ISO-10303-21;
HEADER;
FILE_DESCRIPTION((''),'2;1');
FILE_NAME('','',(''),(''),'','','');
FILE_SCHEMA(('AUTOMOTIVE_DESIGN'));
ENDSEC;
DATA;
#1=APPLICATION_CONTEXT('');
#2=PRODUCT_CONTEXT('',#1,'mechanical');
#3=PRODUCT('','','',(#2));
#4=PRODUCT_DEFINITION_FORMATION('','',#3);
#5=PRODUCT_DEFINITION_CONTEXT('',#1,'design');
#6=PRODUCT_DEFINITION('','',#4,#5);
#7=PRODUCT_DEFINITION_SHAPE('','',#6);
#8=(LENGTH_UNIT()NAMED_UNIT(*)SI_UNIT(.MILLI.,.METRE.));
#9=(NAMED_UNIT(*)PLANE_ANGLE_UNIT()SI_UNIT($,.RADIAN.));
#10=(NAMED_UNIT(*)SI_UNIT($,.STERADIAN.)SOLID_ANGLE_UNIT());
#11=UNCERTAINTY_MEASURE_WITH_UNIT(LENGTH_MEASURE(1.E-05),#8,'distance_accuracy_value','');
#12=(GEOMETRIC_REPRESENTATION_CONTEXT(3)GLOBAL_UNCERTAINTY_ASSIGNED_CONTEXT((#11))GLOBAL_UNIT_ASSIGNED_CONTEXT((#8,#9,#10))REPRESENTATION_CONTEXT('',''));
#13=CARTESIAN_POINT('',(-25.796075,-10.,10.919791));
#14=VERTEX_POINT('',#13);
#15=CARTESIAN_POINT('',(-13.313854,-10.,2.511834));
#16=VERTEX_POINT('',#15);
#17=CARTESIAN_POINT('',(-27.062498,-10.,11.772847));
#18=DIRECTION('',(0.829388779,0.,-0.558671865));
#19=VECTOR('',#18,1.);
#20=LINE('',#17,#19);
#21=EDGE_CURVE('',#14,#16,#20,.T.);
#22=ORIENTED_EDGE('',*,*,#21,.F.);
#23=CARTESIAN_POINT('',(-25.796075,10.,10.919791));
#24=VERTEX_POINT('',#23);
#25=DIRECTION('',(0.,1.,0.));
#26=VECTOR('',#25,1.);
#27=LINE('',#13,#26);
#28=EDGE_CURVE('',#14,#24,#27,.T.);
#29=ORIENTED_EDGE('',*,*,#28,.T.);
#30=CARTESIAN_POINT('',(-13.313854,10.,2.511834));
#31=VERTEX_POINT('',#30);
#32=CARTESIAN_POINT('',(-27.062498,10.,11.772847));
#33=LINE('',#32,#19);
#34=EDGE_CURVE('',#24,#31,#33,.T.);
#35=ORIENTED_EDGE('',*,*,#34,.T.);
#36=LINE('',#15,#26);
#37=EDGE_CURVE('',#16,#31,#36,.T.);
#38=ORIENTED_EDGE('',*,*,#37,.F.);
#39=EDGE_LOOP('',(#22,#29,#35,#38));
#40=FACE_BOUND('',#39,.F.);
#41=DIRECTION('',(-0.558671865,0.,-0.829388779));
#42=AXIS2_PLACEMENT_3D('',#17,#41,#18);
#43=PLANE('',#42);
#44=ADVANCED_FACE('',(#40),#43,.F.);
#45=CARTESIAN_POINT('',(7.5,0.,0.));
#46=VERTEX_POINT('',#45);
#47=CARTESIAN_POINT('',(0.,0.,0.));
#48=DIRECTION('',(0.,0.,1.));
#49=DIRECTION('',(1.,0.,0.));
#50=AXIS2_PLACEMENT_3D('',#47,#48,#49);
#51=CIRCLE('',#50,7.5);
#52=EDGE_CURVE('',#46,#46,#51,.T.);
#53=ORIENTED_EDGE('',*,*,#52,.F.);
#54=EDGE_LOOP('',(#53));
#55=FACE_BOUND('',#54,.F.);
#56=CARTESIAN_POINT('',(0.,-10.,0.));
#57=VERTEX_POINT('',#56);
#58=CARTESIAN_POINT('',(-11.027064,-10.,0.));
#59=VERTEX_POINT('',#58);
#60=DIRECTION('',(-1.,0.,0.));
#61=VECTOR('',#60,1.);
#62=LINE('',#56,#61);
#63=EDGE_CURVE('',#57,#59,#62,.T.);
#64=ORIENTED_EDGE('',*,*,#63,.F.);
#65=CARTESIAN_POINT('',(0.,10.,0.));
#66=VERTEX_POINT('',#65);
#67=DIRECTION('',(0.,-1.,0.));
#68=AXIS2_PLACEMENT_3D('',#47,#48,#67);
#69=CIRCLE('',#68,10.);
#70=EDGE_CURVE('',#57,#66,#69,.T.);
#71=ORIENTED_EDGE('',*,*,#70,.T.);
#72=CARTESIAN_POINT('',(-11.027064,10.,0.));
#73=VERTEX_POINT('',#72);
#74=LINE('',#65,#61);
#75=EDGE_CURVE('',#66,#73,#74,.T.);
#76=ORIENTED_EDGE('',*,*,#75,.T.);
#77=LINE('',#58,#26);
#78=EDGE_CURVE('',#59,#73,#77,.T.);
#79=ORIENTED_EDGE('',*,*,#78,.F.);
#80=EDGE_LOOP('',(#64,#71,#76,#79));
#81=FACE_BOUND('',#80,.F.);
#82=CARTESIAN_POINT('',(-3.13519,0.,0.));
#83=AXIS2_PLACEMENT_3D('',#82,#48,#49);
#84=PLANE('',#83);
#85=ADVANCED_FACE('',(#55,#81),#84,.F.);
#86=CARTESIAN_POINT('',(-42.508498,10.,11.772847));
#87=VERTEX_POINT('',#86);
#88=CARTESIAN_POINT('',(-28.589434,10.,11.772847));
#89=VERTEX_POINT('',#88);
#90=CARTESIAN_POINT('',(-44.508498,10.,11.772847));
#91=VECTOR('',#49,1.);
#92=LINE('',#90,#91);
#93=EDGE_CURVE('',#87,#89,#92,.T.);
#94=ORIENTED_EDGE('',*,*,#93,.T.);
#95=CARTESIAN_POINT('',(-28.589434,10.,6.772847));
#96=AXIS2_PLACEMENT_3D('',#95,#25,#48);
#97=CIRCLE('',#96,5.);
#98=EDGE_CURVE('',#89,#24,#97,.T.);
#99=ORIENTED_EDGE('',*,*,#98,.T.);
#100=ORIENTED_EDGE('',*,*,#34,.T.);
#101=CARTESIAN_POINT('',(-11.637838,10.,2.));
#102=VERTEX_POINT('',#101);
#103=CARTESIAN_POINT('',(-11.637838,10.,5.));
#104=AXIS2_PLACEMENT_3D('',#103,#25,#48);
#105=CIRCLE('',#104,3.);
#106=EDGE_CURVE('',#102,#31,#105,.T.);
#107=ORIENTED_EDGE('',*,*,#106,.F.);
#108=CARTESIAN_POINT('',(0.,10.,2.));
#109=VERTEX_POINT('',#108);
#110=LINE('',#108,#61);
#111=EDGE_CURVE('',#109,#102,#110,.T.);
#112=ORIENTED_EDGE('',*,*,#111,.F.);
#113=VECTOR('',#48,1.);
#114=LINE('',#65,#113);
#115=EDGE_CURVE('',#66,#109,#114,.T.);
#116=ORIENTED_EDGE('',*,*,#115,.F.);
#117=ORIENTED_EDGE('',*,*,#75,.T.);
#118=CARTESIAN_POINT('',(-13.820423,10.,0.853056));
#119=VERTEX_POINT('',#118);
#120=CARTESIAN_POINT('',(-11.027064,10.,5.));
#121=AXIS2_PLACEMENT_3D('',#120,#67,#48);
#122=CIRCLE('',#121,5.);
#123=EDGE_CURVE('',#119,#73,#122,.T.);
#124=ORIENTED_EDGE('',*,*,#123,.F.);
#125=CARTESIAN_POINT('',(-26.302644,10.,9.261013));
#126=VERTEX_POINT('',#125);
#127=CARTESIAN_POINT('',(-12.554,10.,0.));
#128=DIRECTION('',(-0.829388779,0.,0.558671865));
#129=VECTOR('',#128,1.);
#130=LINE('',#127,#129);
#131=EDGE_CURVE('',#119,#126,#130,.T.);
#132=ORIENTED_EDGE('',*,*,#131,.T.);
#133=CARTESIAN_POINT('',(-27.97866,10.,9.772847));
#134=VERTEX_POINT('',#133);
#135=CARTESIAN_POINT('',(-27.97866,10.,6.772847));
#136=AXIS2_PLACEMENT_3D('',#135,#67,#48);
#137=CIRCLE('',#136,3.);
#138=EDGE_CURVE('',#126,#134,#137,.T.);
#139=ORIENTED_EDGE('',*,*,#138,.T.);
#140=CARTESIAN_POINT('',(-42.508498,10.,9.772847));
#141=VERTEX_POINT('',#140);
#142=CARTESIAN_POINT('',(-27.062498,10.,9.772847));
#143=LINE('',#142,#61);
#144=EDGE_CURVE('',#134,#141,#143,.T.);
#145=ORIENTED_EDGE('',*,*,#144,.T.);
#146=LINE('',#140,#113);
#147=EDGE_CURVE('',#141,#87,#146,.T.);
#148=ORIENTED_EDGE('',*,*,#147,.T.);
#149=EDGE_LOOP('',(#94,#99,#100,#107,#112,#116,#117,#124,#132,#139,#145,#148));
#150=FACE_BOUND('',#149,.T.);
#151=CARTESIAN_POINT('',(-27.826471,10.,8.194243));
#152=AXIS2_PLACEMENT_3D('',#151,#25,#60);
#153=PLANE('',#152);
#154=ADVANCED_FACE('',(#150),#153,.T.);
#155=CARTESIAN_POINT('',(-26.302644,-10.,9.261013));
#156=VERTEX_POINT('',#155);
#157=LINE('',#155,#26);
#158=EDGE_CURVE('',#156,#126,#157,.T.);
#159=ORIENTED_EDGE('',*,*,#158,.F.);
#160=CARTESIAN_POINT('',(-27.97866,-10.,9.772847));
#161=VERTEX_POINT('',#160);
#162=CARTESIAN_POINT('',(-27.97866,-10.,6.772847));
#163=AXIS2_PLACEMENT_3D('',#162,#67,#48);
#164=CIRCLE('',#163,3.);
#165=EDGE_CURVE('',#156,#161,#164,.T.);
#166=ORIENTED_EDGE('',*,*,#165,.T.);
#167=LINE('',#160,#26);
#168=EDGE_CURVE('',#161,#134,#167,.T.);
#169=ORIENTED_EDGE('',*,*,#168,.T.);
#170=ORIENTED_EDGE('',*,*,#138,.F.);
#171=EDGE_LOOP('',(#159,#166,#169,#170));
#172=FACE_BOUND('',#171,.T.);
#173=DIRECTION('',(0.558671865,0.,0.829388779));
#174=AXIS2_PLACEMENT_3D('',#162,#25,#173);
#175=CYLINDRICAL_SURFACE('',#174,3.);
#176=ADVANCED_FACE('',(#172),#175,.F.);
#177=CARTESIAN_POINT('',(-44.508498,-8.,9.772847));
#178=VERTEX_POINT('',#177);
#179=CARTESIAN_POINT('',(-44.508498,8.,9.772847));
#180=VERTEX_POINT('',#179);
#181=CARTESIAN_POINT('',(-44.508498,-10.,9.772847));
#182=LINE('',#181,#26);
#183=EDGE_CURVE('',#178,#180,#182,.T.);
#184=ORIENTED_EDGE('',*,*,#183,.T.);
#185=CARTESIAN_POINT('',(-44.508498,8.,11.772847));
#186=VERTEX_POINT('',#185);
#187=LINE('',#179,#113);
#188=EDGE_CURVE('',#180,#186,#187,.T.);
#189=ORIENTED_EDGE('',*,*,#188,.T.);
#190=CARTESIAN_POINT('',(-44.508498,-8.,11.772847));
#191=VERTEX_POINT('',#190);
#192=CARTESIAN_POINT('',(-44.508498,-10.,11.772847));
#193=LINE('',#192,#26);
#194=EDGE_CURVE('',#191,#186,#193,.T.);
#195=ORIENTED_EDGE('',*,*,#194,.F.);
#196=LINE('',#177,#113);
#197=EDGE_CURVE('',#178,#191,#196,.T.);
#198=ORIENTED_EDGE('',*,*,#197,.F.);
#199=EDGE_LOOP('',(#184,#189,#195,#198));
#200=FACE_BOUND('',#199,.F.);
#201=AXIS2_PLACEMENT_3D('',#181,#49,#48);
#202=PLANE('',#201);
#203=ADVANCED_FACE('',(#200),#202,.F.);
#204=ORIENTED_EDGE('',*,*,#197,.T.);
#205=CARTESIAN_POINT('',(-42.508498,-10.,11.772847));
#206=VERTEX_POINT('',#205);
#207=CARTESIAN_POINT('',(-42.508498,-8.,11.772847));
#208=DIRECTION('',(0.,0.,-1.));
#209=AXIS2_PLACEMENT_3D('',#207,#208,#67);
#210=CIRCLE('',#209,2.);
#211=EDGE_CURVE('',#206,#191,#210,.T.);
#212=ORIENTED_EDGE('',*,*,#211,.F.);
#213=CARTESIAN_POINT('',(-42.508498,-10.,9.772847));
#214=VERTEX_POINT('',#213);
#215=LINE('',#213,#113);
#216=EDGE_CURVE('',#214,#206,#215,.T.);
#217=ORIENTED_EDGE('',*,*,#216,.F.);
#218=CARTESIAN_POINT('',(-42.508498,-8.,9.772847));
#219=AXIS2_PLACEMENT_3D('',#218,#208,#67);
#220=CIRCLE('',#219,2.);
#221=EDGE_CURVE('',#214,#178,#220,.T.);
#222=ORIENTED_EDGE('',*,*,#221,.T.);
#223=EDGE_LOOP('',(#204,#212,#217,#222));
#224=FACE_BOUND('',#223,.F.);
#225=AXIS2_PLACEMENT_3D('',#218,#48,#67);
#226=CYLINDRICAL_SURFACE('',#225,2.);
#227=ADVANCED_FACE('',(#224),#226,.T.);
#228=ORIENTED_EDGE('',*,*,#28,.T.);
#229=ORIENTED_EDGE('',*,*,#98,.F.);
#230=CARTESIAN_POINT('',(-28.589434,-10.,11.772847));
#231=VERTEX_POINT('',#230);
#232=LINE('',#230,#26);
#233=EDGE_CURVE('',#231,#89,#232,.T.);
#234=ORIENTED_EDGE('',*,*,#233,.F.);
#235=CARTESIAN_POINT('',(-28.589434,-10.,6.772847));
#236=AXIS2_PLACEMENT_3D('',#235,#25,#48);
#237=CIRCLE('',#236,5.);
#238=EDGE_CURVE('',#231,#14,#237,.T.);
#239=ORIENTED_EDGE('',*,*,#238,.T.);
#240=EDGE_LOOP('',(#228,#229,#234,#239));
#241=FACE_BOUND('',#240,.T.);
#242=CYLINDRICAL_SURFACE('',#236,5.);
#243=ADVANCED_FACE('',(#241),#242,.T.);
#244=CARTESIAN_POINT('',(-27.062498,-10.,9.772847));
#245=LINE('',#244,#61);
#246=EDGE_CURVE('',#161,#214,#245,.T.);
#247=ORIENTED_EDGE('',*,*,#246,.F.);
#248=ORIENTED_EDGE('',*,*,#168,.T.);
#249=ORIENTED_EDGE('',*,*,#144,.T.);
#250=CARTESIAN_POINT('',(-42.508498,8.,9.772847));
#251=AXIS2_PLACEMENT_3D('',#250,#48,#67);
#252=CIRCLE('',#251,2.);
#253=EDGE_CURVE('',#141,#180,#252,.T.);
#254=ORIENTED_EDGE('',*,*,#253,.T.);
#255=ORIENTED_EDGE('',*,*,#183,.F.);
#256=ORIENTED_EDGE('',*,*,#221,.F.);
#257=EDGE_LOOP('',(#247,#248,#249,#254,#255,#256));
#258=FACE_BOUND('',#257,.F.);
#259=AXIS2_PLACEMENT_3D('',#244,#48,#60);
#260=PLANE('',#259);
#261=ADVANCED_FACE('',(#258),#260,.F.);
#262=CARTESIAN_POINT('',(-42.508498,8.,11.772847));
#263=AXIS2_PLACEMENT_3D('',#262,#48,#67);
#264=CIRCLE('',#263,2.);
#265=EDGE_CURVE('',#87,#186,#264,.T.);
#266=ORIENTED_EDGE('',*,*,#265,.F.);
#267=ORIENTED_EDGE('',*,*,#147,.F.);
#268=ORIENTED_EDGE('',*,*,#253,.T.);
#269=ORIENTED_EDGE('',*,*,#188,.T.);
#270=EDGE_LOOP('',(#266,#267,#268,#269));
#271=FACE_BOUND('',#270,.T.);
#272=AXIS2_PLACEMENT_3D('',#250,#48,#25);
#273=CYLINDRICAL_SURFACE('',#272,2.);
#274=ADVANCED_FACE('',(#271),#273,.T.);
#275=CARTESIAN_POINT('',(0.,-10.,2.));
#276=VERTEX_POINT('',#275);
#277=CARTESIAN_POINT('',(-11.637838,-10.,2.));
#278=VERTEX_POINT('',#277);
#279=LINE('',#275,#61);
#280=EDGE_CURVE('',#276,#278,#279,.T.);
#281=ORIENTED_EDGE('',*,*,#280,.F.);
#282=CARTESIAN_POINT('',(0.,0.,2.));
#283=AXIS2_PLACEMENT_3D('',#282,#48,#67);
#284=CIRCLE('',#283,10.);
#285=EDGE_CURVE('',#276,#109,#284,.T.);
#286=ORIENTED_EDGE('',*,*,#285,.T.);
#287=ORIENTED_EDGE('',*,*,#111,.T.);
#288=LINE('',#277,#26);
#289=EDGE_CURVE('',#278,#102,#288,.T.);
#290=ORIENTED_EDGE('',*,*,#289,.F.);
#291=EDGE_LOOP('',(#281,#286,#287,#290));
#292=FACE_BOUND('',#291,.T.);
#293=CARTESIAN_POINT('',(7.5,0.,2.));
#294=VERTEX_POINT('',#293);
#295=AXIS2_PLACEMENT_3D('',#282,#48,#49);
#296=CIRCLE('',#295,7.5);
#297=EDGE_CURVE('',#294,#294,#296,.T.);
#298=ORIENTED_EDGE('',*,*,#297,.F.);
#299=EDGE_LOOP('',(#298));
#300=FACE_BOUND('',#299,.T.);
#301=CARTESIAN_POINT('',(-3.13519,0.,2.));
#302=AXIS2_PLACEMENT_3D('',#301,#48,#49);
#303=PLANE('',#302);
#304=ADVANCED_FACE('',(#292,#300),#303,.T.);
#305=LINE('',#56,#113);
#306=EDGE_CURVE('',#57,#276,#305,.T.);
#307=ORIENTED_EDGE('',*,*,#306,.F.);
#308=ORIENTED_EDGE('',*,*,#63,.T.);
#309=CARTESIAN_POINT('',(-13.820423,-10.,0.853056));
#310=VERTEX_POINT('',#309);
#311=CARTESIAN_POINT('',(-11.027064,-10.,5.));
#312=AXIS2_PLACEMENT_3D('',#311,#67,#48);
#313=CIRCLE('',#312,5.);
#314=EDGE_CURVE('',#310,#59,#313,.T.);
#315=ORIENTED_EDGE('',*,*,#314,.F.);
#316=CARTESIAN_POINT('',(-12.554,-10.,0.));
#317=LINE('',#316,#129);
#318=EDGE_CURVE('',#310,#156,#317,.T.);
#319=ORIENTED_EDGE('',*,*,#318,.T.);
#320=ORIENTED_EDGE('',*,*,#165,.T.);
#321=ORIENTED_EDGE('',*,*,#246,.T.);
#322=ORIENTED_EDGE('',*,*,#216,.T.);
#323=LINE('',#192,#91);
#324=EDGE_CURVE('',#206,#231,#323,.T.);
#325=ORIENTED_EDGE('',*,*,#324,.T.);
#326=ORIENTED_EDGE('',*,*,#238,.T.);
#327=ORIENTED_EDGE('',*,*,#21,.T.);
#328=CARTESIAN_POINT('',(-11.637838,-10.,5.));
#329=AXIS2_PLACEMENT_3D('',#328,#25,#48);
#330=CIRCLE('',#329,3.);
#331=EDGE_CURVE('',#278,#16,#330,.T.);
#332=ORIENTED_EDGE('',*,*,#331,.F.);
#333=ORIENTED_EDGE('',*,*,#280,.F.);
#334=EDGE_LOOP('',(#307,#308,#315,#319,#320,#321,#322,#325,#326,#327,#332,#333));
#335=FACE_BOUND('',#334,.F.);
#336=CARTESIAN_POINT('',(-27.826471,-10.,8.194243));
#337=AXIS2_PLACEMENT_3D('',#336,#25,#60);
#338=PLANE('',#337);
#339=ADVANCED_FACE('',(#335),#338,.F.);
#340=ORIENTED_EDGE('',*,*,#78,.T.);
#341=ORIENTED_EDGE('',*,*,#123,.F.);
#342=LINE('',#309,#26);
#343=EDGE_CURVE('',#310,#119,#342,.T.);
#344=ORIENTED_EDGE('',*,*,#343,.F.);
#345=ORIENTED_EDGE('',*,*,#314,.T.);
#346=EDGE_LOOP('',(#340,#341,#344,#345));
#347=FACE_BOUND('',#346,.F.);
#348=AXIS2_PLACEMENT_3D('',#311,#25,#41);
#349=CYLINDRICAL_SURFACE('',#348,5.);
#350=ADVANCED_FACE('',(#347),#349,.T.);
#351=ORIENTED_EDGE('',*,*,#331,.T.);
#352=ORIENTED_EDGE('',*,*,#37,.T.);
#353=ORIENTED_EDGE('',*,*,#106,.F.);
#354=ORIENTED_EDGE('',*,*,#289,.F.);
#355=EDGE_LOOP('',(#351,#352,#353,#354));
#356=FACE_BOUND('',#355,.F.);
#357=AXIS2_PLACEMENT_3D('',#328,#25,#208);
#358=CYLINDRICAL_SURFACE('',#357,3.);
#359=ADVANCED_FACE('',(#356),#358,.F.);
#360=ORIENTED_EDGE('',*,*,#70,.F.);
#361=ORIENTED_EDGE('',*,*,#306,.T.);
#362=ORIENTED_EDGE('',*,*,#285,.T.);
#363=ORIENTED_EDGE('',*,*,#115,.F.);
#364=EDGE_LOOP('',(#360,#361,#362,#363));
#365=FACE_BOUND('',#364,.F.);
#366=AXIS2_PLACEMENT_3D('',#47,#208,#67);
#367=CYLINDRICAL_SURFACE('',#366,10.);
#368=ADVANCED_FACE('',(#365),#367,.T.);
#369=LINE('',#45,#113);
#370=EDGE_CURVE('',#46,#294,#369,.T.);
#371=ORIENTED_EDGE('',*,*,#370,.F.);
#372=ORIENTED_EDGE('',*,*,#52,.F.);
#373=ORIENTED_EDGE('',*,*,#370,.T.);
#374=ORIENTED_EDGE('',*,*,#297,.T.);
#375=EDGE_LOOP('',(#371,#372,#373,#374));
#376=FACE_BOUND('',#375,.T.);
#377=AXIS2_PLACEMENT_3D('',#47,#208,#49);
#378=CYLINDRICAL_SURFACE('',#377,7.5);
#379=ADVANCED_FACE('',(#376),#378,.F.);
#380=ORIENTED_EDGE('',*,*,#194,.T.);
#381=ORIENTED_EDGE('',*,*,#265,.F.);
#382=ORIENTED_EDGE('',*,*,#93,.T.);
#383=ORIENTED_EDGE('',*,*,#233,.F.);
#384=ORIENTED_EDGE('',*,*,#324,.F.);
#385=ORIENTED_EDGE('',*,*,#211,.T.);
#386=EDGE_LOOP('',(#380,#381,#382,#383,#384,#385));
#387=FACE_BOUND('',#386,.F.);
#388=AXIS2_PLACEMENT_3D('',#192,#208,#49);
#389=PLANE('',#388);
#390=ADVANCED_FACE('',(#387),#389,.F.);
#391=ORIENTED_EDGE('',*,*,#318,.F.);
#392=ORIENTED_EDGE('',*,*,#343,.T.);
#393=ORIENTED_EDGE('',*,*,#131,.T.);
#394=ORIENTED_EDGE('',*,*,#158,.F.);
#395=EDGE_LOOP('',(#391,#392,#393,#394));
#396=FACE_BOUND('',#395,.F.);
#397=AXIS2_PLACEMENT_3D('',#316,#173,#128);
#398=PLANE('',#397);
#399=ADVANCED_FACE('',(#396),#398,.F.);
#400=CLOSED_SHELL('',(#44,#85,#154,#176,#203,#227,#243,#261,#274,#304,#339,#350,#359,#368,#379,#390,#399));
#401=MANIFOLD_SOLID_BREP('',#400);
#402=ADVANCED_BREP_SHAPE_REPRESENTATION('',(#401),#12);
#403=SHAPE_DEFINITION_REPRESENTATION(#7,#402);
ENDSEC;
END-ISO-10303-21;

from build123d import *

# Parameters (mm, degrees)
SKETCH_R     = 7.5
PAD_DEPTH    = 2
PAD001_DEPTH = 20
FILLET_R     = 2
FILLET001_R  = 5
FILLET002_R  = 3


with BuildPart() as part:
    # Sketch → Pad (new body)
    with BuildSketch(Plane.XY):
        with BuildLine():
            ThreePointArc((0, -10), (10, 0), (0, 10))
            Line((0, 10), (-12.554, 10))
            Line((-12.554, -10), (-12.554, 10))
            Line((0, -10), (-12.554, -10))
        make_face()
        Circle(SKETCH_R, mode=Mode.SUBTRACT)
    extrude(amount=PAD_DEPTH)

    # Sketch001 → Pad001 (new body)
    with BuildSketch(Plane.XZ.offset(10)):
        Polygon((-12.554, 0), (-27.062498, 9.772847), (-44.508498, 9.772847), (-44.508498, 11.772847), (-27.062498, 11.772847), (-12.554, 2), align=None)
    extrude(amount=-PAD001_DEPTH)

    # Fillet
    fillet_edges = [part.edges().sort_by_distance(p)[0] for p in [
        (-44.508498, -10, 10.772847),
        (-44.508498, 10, 10.772847),
    ]]
    fillet(fillet_edges, radius=FILLET_R)

    # Fillet001
    fillet001_edges = [part.edges().sort_by_distance(p)[0] for p in [
        (-27.062498, 0, 11.772847),
        (-12.554, 0, 0),
    ]]
    fillet(fillet001_edges, radius=FILLET001_R)

    # Fillet002
    fillet002_edges = [part.edges().sort_by_distance(p)[0] for p in [
        (-27.062498, 0, 9.772847),
        (-12.554, 0, 2),
    ]]
    fillet(fillet002_edges, radius=FILLET002_R)


solid = part.part
